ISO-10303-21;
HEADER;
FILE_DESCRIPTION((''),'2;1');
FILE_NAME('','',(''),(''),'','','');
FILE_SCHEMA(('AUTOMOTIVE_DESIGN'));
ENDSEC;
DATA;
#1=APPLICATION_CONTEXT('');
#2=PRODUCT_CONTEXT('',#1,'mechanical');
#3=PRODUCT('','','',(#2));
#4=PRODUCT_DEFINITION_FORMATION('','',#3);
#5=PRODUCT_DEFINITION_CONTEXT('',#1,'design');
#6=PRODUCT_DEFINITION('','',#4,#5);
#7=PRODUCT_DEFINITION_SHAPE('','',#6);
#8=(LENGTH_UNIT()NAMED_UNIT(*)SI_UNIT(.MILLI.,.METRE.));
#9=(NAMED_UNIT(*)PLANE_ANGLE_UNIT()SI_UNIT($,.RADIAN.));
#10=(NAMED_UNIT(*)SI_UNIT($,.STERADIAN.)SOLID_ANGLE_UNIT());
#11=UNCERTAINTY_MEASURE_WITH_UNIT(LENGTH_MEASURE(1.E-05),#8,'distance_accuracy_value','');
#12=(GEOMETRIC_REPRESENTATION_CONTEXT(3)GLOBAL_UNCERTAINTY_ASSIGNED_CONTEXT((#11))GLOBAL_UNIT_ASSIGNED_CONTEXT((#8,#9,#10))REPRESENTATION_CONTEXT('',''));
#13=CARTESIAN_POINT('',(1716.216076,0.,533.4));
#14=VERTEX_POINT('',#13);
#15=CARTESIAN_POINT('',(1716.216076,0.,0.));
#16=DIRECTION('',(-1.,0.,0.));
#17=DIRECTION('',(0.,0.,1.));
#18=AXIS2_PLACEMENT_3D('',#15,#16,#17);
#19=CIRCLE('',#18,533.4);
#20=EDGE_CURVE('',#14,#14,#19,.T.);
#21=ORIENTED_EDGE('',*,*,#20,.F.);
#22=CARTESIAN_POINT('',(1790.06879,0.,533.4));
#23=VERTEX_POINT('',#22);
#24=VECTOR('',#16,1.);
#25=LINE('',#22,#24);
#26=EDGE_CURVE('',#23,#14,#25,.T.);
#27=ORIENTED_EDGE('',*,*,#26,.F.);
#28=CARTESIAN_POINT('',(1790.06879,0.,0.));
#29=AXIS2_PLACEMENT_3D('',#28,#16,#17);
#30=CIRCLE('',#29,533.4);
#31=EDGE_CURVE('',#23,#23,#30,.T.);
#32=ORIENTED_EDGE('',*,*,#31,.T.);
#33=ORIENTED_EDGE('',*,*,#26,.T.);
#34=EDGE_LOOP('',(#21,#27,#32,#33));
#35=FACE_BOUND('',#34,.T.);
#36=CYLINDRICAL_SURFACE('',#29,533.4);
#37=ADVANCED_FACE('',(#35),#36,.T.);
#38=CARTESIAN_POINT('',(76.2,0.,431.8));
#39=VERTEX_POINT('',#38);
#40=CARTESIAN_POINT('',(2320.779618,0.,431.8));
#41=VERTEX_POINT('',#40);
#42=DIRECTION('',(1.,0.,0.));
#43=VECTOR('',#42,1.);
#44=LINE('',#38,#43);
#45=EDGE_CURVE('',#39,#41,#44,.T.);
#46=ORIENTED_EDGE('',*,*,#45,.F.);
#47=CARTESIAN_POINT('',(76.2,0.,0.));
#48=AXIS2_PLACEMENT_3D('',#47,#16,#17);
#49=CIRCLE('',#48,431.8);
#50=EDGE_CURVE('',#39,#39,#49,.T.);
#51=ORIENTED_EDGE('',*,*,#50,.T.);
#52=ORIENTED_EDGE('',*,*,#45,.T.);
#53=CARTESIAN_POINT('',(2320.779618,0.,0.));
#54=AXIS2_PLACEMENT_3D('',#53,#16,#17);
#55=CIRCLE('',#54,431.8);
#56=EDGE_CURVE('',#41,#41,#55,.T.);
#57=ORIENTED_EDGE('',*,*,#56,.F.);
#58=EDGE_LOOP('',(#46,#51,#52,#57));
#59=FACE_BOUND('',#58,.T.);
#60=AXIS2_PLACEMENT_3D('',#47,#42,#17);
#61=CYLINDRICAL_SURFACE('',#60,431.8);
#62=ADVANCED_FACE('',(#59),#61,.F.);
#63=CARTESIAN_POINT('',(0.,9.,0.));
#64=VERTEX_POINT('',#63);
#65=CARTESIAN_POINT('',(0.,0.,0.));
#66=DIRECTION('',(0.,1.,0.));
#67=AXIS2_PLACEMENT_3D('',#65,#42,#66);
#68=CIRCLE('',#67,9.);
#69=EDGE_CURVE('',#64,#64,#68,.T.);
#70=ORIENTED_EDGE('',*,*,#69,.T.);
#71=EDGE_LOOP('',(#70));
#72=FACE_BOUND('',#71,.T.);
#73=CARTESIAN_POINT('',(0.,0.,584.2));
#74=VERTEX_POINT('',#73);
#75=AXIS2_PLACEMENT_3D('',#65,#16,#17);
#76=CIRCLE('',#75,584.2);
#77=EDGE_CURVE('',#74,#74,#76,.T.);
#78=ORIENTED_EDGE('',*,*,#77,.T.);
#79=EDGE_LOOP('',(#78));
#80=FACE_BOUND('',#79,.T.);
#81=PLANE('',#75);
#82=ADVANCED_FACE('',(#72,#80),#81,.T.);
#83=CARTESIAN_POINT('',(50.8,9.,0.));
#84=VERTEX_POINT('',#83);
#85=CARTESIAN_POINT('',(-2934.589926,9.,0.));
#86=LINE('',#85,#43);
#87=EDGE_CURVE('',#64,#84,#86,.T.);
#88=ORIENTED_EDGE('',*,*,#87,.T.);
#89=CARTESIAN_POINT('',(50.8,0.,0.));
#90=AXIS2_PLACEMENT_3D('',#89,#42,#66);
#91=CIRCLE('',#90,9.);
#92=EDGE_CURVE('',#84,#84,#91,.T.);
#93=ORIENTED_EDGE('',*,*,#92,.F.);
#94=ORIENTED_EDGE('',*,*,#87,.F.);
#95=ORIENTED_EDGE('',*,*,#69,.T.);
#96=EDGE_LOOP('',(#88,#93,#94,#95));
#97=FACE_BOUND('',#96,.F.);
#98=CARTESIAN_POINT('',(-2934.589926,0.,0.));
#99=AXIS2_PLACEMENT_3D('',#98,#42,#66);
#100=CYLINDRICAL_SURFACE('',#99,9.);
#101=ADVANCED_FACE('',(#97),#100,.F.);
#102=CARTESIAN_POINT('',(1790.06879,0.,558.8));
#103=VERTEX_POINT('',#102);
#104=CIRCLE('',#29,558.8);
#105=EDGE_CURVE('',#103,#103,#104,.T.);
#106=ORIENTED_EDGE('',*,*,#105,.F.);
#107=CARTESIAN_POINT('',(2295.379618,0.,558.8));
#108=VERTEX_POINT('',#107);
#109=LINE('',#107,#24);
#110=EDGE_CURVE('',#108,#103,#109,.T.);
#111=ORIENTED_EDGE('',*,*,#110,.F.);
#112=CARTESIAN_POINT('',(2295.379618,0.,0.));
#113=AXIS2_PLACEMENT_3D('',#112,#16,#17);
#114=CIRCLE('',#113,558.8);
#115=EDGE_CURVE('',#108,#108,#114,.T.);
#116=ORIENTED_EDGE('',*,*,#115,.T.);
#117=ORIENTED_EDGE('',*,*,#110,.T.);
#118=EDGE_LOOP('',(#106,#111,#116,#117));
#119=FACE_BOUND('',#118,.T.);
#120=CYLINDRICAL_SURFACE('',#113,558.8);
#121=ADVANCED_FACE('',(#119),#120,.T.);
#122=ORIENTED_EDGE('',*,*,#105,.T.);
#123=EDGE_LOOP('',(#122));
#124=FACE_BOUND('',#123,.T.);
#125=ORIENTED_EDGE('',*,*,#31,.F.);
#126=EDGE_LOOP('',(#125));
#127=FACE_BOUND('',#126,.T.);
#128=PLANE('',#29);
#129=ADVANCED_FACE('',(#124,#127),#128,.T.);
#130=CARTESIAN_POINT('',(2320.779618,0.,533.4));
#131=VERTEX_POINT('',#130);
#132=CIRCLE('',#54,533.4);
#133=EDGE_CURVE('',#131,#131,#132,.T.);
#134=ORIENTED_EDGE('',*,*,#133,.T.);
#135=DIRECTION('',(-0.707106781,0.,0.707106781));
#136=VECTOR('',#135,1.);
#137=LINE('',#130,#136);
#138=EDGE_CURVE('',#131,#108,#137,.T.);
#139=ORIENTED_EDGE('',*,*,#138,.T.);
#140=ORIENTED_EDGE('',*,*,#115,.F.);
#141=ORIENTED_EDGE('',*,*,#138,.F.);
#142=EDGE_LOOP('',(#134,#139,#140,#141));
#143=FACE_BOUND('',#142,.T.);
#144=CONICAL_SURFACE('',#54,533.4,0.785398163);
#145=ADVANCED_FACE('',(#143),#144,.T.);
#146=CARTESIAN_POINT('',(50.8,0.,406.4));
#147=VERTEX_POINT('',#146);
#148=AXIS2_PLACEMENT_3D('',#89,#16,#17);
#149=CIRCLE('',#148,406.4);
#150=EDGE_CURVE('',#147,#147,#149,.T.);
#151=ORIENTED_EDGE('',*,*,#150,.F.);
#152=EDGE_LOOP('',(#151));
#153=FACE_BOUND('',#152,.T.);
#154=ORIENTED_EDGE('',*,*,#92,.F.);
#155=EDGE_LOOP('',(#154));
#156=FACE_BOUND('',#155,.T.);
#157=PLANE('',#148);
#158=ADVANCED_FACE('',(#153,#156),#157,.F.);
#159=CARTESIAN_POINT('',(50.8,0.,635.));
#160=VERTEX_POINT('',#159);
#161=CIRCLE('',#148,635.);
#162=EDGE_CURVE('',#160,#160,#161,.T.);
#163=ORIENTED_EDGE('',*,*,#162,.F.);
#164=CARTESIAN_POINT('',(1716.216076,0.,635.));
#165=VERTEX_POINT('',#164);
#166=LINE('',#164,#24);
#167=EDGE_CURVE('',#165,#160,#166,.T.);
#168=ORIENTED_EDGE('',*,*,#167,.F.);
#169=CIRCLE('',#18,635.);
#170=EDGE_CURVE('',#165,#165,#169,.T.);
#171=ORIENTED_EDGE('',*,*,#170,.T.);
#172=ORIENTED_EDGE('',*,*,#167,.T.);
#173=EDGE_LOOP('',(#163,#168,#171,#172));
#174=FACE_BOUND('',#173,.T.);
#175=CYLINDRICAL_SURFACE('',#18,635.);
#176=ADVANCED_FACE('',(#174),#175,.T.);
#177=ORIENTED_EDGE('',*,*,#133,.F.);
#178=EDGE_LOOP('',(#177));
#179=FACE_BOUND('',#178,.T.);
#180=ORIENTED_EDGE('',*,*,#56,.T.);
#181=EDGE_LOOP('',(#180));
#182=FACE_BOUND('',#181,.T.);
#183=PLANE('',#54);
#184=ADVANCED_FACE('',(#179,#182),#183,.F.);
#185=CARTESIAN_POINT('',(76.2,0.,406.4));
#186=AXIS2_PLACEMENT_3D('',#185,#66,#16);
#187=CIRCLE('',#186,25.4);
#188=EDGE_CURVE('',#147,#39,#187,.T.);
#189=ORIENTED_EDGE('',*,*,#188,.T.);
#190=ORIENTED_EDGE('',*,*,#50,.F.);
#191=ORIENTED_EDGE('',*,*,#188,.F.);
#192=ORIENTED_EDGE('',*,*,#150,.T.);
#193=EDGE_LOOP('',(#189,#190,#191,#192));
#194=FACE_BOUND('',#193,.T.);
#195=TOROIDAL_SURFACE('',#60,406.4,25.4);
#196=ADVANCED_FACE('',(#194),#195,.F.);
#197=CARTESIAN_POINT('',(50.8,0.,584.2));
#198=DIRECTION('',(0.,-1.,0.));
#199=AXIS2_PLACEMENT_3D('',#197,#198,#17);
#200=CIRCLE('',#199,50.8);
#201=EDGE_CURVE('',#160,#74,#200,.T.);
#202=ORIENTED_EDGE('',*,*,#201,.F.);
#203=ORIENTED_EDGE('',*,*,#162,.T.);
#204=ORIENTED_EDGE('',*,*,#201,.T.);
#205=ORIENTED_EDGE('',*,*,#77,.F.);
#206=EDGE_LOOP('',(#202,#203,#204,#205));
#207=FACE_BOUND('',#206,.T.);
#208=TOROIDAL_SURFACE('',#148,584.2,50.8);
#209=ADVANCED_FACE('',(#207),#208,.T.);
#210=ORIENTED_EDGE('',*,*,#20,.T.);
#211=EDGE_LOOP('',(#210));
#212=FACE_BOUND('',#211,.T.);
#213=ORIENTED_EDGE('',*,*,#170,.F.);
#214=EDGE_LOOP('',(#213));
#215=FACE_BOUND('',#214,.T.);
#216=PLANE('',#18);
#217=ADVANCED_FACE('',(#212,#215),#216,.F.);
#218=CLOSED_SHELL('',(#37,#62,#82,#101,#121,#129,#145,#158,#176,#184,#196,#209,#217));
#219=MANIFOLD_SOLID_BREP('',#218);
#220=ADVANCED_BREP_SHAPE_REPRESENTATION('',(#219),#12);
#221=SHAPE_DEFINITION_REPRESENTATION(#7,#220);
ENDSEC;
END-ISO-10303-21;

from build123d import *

# Parameters (mm, degrees)
F3_D = 18


with BuildPart() as f1:
    # F0 (on Front) → F1 (revolve)
    with BuildSketch(Plane.XZ):
        with BuildLine():
            Line((0, 584.2), (0, 0))
            Line((0, 0), (50.8, 0))
            Line((50.8, 0), (50.8, 406.4))
            ThreePointArc((50.8, 406.4), (58.2394877579, 424.3605122421), (76.2, 431.8))
            Line((76.2, 431.8), (1618.646797334, 431.8))
            Line((1618.646797334, 431.8), (2320.7796175957, 431.8))
            Line((2320.7796175957, 431.8), (2320.7796175957, 533.4))
            Line((2320.7796175957, 533.4), (2295.3796175957, 558.8))
            Line((2295.3796175957, 558.8), (1790.0687900748, 558.8))
            Line((1790.0687900748, 558.8), (1790.0687900748, 533.4))
            Line((1790.0687900748, 533.4), (1716.2160762749, 533.4))
            Line((1716.2160762749, 533.4), (1716.2160762749, 635))
            Line((1716.2160762749, 635), (50.8, 635))
            ThreePointArc((50.8, 635), (14.8789755157, 620.1210244843), (0, 584.2))
        make_face()
    revolve(axis=Axis((25.4, 0, 0), (-1, 0, 0)))

    # F3 (through all)
    with Locations(Plane(origin=(0, 0, 0), x_dir=(0, -1, 0), z_dir=(-1, 0, 0))):
        with Locations((0, 0)):
            Hole(F3_D / 2)


solid = f1.part
